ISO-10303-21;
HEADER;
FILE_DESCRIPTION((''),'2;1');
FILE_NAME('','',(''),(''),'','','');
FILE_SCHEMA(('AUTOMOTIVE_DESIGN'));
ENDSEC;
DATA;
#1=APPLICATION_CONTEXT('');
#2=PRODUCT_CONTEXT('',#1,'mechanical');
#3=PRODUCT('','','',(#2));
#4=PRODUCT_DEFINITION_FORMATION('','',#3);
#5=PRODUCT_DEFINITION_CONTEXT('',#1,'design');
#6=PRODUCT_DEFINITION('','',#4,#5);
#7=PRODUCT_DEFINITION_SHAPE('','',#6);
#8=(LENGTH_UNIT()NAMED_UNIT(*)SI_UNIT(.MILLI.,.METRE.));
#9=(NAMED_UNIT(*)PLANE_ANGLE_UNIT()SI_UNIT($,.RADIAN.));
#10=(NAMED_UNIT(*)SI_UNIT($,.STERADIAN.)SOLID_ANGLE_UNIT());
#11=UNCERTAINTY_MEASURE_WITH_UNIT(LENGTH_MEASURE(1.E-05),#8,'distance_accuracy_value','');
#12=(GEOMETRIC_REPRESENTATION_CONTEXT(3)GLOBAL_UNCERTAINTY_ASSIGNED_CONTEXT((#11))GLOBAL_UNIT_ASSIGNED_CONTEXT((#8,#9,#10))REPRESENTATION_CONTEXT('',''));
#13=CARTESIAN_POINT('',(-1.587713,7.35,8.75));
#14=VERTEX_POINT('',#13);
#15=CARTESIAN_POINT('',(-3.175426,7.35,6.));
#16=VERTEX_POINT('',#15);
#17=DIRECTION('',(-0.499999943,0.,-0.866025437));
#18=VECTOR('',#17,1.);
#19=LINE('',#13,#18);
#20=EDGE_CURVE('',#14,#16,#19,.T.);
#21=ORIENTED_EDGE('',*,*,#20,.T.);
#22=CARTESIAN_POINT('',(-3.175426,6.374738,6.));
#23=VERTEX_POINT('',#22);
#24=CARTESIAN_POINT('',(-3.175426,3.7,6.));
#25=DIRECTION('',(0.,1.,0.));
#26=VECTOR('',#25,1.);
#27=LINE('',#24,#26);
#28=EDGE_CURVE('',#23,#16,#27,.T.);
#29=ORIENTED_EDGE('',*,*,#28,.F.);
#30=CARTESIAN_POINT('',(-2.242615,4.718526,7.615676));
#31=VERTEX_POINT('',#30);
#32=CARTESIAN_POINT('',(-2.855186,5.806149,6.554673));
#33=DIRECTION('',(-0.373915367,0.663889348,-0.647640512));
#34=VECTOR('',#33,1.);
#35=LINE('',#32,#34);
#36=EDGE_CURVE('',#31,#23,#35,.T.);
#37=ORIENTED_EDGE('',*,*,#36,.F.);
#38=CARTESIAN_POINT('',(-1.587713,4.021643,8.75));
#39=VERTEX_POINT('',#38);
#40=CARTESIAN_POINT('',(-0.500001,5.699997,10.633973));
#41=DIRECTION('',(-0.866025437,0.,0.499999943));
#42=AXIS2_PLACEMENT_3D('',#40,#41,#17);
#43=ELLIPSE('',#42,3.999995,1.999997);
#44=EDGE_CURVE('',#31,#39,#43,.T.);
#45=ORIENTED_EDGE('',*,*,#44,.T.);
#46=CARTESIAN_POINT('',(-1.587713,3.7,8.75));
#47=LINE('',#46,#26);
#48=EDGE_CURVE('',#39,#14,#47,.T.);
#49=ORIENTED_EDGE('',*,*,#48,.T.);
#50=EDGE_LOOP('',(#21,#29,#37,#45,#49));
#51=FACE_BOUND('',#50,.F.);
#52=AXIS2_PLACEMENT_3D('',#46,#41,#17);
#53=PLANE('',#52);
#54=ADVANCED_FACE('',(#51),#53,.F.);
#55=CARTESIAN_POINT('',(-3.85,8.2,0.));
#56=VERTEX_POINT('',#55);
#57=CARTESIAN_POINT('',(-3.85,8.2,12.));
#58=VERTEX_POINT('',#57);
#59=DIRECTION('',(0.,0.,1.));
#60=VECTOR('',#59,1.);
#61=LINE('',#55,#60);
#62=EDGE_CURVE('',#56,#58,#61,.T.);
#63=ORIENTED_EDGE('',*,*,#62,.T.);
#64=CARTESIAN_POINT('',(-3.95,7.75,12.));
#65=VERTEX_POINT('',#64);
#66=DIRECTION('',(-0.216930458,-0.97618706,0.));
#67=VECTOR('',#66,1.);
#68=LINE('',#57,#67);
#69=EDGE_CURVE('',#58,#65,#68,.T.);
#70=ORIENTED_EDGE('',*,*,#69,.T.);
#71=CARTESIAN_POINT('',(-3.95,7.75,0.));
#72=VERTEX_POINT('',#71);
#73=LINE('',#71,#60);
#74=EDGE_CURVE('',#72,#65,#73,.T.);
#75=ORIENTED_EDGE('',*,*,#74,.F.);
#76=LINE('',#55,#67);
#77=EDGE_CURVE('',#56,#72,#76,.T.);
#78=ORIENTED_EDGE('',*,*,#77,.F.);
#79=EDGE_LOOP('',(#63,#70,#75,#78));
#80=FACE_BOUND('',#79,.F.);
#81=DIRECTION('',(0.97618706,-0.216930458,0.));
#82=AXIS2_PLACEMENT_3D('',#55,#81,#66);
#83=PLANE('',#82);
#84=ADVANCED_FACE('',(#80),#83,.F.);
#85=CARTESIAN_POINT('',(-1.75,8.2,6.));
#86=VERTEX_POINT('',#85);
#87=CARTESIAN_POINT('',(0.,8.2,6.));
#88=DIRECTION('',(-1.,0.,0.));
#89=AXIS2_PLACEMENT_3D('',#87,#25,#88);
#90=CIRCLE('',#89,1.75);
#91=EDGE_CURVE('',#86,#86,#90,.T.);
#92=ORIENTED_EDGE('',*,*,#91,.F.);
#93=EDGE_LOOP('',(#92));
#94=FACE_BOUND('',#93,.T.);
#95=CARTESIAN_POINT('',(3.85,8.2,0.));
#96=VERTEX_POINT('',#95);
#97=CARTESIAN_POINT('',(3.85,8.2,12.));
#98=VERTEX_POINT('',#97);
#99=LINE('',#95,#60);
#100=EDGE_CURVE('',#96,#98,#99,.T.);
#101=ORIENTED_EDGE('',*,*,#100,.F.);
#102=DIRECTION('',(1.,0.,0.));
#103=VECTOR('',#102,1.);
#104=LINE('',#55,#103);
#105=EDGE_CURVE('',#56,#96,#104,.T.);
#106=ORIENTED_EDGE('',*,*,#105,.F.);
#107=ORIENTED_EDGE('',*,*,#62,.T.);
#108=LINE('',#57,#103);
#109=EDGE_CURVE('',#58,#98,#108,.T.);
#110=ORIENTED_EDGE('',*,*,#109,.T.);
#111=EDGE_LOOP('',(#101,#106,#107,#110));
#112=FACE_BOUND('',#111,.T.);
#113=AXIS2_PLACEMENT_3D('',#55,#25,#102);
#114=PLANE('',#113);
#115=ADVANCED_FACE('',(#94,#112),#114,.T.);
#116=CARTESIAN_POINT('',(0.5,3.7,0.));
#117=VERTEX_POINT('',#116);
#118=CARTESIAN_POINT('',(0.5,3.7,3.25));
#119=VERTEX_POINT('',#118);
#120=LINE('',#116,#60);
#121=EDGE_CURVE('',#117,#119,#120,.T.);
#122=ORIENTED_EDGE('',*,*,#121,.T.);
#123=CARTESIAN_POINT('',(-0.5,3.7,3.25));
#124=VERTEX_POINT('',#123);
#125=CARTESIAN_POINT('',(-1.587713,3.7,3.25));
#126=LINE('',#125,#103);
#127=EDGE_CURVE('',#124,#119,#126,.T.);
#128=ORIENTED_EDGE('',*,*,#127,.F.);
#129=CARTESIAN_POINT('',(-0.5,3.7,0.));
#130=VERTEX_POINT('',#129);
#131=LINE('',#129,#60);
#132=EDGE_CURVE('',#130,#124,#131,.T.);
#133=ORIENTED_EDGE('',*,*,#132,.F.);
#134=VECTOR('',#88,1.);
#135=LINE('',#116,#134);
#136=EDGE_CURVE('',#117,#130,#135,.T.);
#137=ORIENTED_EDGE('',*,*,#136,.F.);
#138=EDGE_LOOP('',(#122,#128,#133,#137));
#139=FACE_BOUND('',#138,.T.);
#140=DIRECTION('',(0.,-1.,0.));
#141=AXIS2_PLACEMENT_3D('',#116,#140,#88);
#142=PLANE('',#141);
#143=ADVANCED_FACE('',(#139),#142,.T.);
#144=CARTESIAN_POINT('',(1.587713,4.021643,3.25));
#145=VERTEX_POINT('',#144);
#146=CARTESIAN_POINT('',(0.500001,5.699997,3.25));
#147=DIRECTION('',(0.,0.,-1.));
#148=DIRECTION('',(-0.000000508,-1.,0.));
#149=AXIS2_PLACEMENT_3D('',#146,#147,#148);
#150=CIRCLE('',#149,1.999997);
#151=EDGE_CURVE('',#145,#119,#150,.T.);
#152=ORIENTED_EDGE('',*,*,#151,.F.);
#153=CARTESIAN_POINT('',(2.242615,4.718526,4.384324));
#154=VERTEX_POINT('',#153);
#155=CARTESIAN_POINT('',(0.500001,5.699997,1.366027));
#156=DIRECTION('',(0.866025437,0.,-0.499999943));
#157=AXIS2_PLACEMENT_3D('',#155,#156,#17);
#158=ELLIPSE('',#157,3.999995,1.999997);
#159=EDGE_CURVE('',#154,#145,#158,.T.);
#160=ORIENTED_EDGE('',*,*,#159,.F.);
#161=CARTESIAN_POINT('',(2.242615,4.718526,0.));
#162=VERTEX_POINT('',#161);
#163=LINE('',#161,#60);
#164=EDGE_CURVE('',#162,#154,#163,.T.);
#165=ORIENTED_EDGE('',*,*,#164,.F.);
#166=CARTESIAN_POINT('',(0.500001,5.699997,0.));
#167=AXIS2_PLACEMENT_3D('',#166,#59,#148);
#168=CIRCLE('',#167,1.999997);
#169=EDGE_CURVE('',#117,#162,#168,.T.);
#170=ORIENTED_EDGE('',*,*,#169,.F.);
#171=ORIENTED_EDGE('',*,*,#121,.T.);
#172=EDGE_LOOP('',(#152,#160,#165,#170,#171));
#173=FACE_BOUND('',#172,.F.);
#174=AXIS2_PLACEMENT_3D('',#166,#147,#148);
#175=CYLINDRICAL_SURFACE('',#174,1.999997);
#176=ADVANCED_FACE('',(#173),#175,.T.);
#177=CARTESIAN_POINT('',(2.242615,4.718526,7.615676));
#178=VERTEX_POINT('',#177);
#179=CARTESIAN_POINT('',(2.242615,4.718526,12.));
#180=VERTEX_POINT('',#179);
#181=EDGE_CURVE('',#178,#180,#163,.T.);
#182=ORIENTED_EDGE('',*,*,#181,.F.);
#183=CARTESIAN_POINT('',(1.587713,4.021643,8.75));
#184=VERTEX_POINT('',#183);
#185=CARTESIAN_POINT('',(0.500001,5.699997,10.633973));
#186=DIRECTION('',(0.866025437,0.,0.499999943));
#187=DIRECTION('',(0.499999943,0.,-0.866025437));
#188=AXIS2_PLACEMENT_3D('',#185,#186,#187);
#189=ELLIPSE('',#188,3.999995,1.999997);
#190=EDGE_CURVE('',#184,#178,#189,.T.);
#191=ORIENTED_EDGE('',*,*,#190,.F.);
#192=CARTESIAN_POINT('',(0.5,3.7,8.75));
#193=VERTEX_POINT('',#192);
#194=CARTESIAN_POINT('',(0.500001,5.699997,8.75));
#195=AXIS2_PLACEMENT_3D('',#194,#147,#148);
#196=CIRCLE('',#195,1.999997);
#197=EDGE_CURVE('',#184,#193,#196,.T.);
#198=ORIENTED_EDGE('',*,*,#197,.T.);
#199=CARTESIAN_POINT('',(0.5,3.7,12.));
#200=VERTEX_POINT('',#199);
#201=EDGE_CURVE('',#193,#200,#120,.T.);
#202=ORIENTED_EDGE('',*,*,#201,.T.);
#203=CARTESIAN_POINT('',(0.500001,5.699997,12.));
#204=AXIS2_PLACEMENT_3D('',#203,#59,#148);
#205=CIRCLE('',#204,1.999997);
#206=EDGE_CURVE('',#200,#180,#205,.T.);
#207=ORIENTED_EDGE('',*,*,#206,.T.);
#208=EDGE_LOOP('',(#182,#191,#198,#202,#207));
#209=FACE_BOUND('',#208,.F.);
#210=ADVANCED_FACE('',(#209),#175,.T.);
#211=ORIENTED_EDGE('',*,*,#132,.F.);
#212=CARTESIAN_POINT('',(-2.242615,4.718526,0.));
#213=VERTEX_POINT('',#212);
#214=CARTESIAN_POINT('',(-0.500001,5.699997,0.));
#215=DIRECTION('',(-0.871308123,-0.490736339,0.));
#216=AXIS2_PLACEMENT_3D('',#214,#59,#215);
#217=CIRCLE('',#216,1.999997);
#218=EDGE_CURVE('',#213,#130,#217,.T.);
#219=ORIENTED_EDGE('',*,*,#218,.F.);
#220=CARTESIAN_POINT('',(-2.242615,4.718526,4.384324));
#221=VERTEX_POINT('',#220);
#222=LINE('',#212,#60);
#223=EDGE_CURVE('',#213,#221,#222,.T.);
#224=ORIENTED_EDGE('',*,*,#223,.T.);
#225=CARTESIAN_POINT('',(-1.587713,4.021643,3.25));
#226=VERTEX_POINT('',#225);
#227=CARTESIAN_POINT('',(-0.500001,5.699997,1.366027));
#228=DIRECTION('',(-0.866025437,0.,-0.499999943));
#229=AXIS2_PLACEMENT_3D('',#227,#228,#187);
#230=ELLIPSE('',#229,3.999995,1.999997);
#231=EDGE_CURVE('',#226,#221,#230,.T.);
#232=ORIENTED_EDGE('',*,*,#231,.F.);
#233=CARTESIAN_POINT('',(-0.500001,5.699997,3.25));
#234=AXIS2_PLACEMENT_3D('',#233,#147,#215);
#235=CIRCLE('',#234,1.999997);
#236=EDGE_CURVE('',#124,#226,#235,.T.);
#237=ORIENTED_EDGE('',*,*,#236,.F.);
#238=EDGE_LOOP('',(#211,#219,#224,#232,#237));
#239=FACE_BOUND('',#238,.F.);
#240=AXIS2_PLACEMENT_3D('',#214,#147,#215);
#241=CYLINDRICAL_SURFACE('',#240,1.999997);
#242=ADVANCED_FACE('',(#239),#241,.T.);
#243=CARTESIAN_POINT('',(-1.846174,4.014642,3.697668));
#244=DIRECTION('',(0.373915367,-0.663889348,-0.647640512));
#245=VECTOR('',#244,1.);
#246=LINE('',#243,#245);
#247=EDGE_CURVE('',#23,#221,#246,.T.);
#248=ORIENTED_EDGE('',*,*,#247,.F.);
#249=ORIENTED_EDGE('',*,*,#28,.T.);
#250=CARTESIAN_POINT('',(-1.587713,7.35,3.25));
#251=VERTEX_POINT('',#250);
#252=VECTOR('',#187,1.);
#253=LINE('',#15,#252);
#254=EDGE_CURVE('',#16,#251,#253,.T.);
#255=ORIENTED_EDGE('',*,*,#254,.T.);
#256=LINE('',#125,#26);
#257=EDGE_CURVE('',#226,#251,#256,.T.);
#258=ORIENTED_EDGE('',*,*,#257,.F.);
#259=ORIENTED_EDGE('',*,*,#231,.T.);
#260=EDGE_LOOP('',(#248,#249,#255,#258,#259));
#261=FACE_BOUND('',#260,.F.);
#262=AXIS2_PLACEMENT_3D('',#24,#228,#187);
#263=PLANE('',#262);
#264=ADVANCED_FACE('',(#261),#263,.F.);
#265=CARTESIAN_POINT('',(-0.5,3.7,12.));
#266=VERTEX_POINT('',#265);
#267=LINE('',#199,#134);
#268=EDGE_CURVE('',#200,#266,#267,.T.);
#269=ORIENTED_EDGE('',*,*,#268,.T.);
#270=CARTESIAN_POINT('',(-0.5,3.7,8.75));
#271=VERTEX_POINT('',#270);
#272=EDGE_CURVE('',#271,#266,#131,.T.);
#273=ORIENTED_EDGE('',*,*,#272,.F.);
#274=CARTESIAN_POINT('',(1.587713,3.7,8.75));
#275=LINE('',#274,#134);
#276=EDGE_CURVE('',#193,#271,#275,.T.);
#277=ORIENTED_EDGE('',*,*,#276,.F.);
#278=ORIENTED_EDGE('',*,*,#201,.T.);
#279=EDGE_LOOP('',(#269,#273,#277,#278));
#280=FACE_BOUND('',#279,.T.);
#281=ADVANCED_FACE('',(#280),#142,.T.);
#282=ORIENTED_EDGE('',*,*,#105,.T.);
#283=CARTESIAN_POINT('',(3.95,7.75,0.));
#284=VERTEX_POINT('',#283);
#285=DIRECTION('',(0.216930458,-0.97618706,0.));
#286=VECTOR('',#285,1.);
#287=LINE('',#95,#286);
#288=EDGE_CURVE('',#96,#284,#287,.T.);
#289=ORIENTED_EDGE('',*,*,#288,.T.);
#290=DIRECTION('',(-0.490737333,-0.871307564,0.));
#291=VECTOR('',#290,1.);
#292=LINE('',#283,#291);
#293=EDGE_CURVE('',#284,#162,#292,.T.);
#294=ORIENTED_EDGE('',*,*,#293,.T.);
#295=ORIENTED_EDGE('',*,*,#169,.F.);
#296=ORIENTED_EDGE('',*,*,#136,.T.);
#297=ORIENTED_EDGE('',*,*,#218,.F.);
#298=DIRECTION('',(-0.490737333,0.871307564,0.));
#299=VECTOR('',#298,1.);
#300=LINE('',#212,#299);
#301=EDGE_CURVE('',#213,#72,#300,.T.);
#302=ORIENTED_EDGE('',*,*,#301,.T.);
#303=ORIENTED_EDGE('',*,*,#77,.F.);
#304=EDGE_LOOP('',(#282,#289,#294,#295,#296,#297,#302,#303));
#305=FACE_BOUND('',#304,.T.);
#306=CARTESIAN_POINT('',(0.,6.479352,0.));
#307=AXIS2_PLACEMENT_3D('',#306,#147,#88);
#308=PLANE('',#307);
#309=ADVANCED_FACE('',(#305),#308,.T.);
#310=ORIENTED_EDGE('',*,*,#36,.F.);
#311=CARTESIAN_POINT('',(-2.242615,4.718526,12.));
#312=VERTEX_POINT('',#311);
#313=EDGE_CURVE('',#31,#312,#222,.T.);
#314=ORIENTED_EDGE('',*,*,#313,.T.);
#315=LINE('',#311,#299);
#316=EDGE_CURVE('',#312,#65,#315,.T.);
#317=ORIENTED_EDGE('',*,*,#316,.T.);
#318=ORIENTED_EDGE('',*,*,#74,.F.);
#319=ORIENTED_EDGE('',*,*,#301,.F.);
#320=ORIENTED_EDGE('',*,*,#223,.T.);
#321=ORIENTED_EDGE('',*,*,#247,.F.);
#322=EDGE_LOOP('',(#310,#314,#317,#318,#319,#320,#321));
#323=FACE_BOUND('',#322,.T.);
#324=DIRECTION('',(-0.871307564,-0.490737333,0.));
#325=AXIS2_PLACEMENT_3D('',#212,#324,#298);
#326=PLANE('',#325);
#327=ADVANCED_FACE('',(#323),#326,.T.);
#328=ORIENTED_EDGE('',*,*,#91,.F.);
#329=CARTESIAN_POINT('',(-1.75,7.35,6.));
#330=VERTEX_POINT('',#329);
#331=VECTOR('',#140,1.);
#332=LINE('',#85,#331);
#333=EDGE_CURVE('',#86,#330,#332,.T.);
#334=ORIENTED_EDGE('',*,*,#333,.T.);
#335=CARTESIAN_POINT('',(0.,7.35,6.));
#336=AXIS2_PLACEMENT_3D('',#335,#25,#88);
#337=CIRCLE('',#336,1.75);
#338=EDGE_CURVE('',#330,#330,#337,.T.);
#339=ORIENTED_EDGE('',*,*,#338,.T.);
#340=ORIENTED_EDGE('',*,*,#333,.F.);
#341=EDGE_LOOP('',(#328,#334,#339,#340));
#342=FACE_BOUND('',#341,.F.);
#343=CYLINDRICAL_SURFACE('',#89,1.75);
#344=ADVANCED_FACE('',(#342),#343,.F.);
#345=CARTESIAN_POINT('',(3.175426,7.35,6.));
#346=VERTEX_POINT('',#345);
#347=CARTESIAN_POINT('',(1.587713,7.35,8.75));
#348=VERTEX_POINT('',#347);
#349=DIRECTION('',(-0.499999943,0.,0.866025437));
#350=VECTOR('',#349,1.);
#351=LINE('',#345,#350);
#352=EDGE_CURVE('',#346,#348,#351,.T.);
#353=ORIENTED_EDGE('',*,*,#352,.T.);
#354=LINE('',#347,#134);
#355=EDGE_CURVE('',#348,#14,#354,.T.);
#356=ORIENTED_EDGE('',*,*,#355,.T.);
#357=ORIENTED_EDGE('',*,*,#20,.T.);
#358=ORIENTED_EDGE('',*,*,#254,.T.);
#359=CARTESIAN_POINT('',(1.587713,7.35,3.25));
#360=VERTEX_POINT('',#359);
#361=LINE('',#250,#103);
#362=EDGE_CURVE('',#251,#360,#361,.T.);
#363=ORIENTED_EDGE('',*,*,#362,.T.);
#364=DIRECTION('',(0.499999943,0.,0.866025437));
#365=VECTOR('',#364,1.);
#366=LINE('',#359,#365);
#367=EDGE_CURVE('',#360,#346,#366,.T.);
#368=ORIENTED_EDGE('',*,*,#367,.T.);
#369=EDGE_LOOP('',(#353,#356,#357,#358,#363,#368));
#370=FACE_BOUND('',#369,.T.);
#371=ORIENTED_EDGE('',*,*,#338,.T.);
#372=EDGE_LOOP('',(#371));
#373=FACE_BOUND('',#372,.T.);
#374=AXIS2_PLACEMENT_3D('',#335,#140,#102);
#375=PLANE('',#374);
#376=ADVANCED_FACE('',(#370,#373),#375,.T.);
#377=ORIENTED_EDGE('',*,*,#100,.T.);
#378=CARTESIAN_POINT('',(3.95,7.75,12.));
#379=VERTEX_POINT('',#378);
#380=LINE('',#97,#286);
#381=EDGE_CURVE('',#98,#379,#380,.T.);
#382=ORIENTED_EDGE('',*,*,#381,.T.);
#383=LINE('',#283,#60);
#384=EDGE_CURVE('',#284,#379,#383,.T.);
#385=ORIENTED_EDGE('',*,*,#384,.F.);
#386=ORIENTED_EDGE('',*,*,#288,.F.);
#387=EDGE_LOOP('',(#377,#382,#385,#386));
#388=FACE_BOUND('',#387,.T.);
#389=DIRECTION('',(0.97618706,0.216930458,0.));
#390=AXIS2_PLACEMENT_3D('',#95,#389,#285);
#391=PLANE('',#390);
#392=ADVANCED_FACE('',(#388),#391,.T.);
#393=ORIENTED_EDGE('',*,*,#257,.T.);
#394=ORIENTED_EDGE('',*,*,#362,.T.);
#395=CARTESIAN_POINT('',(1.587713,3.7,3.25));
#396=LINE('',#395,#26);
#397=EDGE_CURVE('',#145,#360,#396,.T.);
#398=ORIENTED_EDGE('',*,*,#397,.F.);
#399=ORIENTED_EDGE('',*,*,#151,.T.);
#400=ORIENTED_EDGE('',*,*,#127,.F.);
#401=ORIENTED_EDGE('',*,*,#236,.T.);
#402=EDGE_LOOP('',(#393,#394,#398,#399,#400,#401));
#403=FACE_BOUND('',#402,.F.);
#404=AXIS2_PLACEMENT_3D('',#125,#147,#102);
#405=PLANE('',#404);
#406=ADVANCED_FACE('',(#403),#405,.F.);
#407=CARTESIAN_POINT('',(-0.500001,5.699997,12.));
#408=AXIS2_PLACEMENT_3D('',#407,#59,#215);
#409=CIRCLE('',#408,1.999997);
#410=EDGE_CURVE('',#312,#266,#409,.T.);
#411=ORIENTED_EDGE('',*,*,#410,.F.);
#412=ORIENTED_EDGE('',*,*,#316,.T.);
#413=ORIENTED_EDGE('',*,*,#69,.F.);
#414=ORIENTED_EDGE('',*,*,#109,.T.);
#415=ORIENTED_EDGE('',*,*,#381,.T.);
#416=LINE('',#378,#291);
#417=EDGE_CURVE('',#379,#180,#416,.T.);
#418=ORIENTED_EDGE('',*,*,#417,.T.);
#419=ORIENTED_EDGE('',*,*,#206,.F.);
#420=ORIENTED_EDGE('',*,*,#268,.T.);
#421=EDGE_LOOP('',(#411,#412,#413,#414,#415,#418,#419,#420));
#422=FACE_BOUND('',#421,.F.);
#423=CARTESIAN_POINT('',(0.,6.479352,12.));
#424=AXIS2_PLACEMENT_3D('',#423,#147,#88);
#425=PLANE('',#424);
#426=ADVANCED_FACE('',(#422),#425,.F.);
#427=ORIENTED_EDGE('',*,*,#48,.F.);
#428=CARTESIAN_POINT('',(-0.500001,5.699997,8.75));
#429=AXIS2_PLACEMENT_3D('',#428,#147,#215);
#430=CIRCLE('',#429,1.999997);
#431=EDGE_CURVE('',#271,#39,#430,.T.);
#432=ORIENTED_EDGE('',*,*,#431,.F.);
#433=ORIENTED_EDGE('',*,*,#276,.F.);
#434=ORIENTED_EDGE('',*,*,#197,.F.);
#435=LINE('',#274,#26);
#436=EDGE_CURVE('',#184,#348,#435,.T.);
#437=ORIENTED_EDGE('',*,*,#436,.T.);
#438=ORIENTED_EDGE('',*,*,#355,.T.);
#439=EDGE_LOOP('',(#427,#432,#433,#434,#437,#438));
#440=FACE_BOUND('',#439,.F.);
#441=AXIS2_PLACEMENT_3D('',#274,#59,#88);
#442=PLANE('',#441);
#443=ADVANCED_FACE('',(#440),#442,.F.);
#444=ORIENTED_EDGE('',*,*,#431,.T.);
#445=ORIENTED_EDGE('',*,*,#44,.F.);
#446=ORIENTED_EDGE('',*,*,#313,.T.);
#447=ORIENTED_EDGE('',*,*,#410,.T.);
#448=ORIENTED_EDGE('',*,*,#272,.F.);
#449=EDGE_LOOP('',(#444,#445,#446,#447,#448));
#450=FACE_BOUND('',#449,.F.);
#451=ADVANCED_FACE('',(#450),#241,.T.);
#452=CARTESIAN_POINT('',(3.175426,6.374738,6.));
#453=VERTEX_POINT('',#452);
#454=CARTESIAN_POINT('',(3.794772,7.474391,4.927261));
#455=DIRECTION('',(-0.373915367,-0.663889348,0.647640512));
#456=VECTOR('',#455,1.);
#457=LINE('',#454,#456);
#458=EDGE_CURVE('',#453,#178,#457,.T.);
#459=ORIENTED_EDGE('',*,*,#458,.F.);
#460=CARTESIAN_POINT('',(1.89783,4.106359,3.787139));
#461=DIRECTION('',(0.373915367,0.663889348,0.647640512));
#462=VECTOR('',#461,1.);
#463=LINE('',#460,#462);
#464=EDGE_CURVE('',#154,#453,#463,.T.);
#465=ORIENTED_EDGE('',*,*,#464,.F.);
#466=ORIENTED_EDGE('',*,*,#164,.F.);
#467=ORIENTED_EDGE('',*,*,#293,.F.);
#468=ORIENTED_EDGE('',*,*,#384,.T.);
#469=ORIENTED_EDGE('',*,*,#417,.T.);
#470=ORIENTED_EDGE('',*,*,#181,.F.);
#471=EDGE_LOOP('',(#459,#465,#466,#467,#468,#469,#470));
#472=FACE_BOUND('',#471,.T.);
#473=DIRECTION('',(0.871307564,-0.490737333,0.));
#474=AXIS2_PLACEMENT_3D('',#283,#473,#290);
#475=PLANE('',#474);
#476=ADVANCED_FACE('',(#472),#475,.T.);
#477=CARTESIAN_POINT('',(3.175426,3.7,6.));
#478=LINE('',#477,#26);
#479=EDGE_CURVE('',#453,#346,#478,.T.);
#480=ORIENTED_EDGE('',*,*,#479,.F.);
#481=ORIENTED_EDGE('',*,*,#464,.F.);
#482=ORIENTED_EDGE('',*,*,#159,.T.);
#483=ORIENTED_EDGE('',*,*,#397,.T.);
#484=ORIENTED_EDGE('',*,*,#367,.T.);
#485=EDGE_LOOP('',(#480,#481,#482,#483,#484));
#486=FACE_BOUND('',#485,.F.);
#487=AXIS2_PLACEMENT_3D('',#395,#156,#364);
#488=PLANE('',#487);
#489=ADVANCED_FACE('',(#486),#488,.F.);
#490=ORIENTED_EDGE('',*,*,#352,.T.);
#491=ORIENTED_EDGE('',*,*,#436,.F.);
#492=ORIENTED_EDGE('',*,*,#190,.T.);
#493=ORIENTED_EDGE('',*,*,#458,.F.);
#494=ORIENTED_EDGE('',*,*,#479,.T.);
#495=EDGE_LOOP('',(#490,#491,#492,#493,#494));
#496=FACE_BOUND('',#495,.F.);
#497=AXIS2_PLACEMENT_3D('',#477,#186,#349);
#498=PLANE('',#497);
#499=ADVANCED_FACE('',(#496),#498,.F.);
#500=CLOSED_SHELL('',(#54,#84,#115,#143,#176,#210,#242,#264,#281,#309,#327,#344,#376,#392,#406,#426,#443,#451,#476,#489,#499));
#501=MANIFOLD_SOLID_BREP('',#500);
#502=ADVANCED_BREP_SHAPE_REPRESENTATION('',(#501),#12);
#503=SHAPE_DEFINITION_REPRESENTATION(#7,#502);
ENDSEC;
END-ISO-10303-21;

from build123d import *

# Parameters (mm, degrees)
PAD_DEPTH       = 12
POCKET_DEPTH    = 3.65
SKETCH002_R     = 1.75
POCKET001_DEPTH = 5


with BuildPart() as part:
    # Sketch → Pad (new body)
    with BuildSketch(Plane.XY):
        with BuildLine():
            Line((-3.85, 8.2), (3.85, 8.2))
            Line((3.85, 8.2), (3.95, 7.75))
            Line((3.95, 7.75), (2.242615, 4.718526))
            ThreePointArc((0.5, 3.7), (1.50922, 3.973305), (2.242615, 4.718526))
            Line((0.5, 3.7), (-0.5, 3.7))
            ThreePointArc((-2.242615, 4.718526), (-1.50922, 3.973305), (-0.5, 3.7))
            Line((-2.242615, 4.718526), (-3.95, 7.75))
            Line((-3.85, 8.2), (-3.95, 7.75))
        make_face()
    extrude(amount=PAD_DEPTH)

    # Sketch001 (on Face7 of Pad) → Pocket (cut)
    with BuildSketch(Plane.XZ.offset(-3.7)):
        Polygon((-3.175426, 6), (-1.587713, 3.25), (1.587713, 3.25), (3.175426, 6), (1.587713, 8.75), (-1.587713, 8.75), align=None)
    extrude(amount=-POCKET_DEPTH, mode=Mode.SUBTRACT)

    # Sketch002 (on Face9 of Pocket) → Pocket001 (cut)
    with BuildSketch(Plane(origin=(0, 8.2, 0), x_dir=(-1, 0, 0), z_dir=(0, 1, 0))):
        with Locations((0, 6)):
            Circle(SKETCH002_R)
    extrude(amount=-POCKET001_DEPTH, mode=Mode.SUBTRACT)


solid = part.part
